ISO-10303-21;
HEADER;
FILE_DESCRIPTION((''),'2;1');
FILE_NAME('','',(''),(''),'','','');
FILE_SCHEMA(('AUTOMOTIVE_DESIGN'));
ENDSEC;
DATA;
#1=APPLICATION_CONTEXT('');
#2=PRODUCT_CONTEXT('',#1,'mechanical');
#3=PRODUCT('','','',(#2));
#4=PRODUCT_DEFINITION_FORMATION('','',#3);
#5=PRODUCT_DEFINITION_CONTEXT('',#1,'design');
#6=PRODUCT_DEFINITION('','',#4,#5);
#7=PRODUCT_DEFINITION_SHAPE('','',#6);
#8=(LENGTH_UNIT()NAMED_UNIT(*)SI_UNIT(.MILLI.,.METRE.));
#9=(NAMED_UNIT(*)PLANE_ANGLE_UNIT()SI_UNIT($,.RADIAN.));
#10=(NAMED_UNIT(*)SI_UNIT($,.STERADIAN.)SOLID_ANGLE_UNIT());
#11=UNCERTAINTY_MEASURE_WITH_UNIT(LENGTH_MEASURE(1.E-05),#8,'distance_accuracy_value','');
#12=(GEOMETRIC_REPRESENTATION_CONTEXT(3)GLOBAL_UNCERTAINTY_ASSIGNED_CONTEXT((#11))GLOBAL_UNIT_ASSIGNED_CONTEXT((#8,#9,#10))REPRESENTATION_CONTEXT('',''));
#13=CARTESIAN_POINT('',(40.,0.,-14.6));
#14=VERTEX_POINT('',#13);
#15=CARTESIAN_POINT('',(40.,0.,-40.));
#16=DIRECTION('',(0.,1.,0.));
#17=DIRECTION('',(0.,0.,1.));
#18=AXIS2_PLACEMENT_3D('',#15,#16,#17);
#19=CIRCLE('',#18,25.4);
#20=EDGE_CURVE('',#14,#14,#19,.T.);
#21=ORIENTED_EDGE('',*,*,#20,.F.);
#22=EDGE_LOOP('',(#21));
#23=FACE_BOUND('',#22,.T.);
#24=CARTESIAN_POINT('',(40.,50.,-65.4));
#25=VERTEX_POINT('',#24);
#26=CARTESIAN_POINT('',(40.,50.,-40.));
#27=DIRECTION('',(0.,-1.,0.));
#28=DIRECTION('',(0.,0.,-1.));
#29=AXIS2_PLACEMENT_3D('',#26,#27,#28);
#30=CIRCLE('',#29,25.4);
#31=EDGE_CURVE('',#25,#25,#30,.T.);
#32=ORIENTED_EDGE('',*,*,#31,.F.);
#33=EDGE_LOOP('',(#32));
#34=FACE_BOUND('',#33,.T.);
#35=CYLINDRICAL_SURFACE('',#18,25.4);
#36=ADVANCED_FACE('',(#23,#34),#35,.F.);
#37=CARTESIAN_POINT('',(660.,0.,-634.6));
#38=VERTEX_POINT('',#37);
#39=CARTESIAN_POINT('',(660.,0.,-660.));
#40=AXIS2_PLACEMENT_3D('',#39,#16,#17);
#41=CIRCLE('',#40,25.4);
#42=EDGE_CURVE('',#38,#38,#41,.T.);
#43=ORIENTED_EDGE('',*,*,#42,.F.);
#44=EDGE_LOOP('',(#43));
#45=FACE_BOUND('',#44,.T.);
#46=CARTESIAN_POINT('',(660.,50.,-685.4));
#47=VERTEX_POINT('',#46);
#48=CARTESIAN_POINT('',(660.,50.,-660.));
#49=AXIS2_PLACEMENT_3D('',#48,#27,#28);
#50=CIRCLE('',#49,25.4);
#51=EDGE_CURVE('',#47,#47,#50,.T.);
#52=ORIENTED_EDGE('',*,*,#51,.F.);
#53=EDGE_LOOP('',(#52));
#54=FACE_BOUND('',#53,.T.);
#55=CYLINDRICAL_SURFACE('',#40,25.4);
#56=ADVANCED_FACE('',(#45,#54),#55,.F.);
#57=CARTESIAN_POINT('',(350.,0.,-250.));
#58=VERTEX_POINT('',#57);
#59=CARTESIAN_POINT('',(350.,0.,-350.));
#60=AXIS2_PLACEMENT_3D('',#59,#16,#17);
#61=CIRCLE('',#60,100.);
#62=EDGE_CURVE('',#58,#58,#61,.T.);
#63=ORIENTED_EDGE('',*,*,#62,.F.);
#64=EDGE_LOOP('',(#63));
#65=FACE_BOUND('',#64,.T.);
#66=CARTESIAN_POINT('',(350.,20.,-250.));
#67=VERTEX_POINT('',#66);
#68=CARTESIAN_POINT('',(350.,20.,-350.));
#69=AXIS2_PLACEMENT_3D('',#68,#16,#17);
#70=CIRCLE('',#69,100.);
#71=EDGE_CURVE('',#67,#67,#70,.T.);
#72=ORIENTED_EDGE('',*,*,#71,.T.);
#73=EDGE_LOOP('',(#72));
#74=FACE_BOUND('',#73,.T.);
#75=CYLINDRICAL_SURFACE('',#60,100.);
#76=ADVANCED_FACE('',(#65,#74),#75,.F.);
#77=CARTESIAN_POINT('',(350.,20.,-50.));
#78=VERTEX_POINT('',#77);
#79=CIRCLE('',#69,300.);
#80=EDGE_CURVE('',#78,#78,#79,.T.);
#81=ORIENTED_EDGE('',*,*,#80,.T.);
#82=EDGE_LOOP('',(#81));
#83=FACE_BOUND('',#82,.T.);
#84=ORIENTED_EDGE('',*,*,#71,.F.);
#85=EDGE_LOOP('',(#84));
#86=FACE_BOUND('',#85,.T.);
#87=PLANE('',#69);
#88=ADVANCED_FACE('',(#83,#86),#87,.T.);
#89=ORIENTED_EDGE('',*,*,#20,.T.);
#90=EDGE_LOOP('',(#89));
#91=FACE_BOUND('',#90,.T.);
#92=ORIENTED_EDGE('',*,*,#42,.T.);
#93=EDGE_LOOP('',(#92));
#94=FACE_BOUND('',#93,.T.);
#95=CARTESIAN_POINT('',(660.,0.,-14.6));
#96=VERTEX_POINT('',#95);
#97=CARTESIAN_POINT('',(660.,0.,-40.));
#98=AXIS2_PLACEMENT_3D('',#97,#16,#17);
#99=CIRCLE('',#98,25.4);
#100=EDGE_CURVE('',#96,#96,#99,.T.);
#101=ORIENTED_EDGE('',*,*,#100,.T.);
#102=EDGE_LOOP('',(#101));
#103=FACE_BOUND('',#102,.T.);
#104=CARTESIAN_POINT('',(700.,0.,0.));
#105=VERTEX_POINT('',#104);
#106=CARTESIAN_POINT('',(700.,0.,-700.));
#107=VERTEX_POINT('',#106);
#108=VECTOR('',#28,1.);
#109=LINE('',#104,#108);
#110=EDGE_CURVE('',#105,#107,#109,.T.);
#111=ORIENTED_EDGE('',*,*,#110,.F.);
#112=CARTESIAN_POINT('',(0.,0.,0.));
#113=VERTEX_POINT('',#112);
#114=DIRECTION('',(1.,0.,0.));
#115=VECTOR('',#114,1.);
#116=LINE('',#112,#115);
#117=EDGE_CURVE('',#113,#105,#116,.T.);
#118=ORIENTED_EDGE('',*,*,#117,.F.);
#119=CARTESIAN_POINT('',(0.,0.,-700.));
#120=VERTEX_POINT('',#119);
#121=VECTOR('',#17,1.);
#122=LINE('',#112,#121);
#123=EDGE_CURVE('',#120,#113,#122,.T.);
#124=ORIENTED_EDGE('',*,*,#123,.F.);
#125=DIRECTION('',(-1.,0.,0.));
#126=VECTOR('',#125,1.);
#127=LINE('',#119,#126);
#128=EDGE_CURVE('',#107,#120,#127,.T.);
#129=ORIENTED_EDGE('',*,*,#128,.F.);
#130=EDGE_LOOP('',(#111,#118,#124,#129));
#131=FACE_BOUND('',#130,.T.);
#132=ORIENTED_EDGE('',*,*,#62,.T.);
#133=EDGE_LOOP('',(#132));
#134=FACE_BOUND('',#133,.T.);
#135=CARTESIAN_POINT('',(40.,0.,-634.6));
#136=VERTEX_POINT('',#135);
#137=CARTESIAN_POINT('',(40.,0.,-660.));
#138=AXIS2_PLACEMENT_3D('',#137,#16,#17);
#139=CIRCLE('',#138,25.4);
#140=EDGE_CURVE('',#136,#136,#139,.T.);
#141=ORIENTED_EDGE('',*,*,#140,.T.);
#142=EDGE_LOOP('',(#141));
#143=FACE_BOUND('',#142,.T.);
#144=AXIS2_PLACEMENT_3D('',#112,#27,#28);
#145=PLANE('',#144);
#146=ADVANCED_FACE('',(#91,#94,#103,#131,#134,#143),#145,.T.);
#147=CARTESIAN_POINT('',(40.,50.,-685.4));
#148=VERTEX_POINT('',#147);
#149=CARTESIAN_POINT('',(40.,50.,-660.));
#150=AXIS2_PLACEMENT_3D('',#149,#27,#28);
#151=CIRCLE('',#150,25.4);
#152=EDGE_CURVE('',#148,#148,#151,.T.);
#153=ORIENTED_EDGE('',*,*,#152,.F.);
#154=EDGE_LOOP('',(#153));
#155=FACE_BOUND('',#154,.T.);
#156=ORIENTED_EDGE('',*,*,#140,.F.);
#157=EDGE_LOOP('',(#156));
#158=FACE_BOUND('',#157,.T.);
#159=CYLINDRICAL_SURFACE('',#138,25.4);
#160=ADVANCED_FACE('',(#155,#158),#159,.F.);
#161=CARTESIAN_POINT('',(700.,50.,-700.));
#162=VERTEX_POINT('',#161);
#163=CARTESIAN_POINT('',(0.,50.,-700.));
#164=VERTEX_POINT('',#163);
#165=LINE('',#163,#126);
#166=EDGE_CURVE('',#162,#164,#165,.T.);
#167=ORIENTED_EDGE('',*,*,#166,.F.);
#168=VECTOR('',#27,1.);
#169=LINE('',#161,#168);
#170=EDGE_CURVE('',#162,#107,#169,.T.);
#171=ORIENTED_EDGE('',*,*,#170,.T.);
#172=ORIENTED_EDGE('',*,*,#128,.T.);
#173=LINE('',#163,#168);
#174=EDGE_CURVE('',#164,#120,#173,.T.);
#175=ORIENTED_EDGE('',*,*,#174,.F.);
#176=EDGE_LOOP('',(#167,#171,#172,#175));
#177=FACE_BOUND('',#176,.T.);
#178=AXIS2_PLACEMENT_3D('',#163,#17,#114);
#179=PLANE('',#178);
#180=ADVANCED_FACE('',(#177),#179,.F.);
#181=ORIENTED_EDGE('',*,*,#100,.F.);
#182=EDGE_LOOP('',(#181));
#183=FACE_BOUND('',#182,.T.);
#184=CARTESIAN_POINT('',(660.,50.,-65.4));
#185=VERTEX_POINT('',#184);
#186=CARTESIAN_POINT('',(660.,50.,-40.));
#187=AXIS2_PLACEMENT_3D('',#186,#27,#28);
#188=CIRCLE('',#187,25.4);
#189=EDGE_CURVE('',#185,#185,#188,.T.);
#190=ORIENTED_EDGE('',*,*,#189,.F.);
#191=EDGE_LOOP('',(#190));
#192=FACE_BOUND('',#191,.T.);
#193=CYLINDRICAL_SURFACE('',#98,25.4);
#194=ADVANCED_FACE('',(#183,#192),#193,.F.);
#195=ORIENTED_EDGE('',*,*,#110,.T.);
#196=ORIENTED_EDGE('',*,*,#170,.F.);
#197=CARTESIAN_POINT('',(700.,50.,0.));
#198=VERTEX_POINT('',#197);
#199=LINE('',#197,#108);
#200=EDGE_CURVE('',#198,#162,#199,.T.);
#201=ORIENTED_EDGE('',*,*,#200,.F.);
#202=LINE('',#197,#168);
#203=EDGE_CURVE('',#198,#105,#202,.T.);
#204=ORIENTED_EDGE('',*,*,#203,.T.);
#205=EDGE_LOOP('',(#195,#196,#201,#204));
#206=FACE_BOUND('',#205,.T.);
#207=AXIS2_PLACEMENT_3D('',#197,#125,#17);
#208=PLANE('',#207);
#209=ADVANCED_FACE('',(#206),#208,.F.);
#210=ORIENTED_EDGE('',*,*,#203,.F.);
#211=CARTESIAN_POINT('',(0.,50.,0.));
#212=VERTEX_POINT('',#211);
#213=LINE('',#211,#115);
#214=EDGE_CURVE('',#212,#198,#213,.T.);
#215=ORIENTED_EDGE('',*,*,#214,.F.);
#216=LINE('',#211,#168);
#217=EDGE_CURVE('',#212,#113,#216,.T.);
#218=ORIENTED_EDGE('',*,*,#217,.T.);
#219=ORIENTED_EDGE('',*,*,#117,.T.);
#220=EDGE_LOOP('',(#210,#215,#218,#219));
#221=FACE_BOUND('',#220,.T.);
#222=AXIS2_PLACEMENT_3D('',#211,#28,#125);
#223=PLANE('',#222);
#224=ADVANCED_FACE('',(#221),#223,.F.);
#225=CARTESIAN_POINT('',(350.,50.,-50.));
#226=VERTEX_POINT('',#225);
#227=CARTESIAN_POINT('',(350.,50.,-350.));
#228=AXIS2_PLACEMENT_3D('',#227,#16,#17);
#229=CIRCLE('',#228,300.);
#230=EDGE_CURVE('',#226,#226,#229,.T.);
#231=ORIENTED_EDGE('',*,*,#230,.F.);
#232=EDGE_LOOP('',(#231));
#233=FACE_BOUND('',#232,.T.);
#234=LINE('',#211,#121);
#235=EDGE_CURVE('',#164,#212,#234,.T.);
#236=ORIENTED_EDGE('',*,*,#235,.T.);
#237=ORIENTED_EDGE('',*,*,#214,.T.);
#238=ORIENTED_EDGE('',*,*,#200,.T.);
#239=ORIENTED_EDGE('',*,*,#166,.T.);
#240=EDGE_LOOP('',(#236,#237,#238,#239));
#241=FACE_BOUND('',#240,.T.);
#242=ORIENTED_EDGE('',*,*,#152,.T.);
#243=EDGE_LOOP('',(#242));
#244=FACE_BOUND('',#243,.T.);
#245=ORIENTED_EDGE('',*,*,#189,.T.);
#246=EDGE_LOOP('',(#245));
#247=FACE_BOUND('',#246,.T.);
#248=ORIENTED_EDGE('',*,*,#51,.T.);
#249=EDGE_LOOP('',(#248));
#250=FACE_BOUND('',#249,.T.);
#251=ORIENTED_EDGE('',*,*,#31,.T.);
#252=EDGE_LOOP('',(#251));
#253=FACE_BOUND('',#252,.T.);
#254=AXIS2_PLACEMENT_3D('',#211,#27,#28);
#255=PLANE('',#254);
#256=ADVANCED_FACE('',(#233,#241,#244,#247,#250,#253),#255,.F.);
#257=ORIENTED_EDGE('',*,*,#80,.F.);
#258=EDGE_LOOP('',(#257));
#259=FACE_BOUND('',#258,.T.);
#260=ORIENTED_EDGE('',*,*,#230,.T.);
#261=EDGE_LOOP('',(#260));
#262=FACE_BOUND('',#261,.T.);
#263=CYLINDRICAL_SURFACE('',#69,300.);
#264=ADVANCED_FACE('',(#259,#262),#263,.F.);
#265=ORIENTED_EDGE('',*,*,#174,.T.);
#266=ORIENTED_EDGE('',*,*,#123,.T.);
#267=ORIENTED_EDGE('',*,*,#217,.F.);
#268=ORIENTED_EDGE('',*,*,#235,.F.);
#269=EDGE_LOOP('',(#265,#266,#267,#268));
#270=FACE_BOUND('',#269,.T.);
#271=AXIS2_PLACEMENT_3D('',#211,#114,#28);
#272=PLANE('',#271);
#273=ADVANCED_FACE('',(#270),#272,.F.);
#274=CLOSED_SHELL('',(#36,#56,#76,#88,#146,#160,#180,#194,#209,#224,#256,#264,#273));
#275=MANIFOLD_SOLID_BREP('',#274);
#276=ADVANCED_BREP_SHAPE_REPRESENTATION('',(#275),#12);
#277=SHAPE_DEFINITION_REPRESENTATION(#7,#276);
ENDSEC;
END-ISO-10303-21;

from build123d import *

# Parameters (mm, degrees)
CROQUIS2_W                 = 700
CROQUIS2_H                 = 700
SALIENTE_EXTRUIR1_DEPTH    = 50
CORTAR_EXTRUIR1_DEPTH      = 992.21138008
CORTAR_EXTRUIR1_DEPTH_BACK = 992.21138008
CROQUIS3_R                 = 25.4
CROQUIS4_R                 = 300
CORTAR_EXTRUIR4_DEPTH      = 30
CROQUIS5_R                 = 100
CORTAR_EXTRUIR5_DEPTH      = 20


with BuildPart() as part:
    # Croquis2 → Saliente-Extruir1 (new body)
    with BuildSketch(Plane(origin=(0, 0, 0), x_dir=(1, 0, 0), z_dir=(0, 1, 0))):
        with Locations((350, 350)):
            Rectangle(CROQUIS2_W, CROQUIS2_H)
    extrude(amount=SALIENTE_EXTRUIR1_DEPTH)

    # Croquis3 → Cortar-Extruir1 (cut, two sides: drawn at the far end of the back side and taken through both)
    with BuildSketch(Plane(origin=(0, 50, 0), x_dir=(1, 0, 0), z_dir=(0, 1, 0)).offset(-CORTAR_EXTRUIR1_DEPTH_BACK)):
        with Locations(Location((40, 40, 0), (0, 0, 270))):
            Circle(CROQUIS3_R)
        with Locations(Location((660, 40, 0), (0, 0, 270))):
            Circle(CROQUIS3_R)
        with Locations(Location((660, 660, 0), (0, 0, 270))):
            Circle(CROQUIS3_R)
        with Locations(Location((40, 660, 0), (0, 0, 270))):
            Circle(CROQUIS3_R)
    extrude(amount=CORTAR_EXTRUIR1_DEPTH + CORTAR_EXTRUIR1_DEPTH_BACK, mode=Mode.SUBTRACT)

    # Croquis4 → Cortar-Extruir4 (cut)
    with BuildSketch(Plane(origin=(0, 50, 0), x_dir=(1, 0, 0), z_dir=(0, 1, 0))):
        with Locations(Location((350, 350, 0), (0, 0, 270))):
            Circle(CROQUIS4_R)
    extrude(amount=-CORTAR_EXTRUIR4_DEPTH, mode=Mode.SUBTRACT)

    # Croquis5 → Cortar-Extruir5 (cut)
    with BuildSketch(Plane(origin=(0, 20, 0), x_dir=(1, 0, 0), z_dir=(0, 1, 0))):
        with Locations(Location((350, 350, 0), (0, 0, 270))):
            Circle(CROQUIS5_R)
    extrude(amount=-CORTAR_EXTRUIR5_DEPTH, mode=Mode.SUBTRACT)


solid = part.part
